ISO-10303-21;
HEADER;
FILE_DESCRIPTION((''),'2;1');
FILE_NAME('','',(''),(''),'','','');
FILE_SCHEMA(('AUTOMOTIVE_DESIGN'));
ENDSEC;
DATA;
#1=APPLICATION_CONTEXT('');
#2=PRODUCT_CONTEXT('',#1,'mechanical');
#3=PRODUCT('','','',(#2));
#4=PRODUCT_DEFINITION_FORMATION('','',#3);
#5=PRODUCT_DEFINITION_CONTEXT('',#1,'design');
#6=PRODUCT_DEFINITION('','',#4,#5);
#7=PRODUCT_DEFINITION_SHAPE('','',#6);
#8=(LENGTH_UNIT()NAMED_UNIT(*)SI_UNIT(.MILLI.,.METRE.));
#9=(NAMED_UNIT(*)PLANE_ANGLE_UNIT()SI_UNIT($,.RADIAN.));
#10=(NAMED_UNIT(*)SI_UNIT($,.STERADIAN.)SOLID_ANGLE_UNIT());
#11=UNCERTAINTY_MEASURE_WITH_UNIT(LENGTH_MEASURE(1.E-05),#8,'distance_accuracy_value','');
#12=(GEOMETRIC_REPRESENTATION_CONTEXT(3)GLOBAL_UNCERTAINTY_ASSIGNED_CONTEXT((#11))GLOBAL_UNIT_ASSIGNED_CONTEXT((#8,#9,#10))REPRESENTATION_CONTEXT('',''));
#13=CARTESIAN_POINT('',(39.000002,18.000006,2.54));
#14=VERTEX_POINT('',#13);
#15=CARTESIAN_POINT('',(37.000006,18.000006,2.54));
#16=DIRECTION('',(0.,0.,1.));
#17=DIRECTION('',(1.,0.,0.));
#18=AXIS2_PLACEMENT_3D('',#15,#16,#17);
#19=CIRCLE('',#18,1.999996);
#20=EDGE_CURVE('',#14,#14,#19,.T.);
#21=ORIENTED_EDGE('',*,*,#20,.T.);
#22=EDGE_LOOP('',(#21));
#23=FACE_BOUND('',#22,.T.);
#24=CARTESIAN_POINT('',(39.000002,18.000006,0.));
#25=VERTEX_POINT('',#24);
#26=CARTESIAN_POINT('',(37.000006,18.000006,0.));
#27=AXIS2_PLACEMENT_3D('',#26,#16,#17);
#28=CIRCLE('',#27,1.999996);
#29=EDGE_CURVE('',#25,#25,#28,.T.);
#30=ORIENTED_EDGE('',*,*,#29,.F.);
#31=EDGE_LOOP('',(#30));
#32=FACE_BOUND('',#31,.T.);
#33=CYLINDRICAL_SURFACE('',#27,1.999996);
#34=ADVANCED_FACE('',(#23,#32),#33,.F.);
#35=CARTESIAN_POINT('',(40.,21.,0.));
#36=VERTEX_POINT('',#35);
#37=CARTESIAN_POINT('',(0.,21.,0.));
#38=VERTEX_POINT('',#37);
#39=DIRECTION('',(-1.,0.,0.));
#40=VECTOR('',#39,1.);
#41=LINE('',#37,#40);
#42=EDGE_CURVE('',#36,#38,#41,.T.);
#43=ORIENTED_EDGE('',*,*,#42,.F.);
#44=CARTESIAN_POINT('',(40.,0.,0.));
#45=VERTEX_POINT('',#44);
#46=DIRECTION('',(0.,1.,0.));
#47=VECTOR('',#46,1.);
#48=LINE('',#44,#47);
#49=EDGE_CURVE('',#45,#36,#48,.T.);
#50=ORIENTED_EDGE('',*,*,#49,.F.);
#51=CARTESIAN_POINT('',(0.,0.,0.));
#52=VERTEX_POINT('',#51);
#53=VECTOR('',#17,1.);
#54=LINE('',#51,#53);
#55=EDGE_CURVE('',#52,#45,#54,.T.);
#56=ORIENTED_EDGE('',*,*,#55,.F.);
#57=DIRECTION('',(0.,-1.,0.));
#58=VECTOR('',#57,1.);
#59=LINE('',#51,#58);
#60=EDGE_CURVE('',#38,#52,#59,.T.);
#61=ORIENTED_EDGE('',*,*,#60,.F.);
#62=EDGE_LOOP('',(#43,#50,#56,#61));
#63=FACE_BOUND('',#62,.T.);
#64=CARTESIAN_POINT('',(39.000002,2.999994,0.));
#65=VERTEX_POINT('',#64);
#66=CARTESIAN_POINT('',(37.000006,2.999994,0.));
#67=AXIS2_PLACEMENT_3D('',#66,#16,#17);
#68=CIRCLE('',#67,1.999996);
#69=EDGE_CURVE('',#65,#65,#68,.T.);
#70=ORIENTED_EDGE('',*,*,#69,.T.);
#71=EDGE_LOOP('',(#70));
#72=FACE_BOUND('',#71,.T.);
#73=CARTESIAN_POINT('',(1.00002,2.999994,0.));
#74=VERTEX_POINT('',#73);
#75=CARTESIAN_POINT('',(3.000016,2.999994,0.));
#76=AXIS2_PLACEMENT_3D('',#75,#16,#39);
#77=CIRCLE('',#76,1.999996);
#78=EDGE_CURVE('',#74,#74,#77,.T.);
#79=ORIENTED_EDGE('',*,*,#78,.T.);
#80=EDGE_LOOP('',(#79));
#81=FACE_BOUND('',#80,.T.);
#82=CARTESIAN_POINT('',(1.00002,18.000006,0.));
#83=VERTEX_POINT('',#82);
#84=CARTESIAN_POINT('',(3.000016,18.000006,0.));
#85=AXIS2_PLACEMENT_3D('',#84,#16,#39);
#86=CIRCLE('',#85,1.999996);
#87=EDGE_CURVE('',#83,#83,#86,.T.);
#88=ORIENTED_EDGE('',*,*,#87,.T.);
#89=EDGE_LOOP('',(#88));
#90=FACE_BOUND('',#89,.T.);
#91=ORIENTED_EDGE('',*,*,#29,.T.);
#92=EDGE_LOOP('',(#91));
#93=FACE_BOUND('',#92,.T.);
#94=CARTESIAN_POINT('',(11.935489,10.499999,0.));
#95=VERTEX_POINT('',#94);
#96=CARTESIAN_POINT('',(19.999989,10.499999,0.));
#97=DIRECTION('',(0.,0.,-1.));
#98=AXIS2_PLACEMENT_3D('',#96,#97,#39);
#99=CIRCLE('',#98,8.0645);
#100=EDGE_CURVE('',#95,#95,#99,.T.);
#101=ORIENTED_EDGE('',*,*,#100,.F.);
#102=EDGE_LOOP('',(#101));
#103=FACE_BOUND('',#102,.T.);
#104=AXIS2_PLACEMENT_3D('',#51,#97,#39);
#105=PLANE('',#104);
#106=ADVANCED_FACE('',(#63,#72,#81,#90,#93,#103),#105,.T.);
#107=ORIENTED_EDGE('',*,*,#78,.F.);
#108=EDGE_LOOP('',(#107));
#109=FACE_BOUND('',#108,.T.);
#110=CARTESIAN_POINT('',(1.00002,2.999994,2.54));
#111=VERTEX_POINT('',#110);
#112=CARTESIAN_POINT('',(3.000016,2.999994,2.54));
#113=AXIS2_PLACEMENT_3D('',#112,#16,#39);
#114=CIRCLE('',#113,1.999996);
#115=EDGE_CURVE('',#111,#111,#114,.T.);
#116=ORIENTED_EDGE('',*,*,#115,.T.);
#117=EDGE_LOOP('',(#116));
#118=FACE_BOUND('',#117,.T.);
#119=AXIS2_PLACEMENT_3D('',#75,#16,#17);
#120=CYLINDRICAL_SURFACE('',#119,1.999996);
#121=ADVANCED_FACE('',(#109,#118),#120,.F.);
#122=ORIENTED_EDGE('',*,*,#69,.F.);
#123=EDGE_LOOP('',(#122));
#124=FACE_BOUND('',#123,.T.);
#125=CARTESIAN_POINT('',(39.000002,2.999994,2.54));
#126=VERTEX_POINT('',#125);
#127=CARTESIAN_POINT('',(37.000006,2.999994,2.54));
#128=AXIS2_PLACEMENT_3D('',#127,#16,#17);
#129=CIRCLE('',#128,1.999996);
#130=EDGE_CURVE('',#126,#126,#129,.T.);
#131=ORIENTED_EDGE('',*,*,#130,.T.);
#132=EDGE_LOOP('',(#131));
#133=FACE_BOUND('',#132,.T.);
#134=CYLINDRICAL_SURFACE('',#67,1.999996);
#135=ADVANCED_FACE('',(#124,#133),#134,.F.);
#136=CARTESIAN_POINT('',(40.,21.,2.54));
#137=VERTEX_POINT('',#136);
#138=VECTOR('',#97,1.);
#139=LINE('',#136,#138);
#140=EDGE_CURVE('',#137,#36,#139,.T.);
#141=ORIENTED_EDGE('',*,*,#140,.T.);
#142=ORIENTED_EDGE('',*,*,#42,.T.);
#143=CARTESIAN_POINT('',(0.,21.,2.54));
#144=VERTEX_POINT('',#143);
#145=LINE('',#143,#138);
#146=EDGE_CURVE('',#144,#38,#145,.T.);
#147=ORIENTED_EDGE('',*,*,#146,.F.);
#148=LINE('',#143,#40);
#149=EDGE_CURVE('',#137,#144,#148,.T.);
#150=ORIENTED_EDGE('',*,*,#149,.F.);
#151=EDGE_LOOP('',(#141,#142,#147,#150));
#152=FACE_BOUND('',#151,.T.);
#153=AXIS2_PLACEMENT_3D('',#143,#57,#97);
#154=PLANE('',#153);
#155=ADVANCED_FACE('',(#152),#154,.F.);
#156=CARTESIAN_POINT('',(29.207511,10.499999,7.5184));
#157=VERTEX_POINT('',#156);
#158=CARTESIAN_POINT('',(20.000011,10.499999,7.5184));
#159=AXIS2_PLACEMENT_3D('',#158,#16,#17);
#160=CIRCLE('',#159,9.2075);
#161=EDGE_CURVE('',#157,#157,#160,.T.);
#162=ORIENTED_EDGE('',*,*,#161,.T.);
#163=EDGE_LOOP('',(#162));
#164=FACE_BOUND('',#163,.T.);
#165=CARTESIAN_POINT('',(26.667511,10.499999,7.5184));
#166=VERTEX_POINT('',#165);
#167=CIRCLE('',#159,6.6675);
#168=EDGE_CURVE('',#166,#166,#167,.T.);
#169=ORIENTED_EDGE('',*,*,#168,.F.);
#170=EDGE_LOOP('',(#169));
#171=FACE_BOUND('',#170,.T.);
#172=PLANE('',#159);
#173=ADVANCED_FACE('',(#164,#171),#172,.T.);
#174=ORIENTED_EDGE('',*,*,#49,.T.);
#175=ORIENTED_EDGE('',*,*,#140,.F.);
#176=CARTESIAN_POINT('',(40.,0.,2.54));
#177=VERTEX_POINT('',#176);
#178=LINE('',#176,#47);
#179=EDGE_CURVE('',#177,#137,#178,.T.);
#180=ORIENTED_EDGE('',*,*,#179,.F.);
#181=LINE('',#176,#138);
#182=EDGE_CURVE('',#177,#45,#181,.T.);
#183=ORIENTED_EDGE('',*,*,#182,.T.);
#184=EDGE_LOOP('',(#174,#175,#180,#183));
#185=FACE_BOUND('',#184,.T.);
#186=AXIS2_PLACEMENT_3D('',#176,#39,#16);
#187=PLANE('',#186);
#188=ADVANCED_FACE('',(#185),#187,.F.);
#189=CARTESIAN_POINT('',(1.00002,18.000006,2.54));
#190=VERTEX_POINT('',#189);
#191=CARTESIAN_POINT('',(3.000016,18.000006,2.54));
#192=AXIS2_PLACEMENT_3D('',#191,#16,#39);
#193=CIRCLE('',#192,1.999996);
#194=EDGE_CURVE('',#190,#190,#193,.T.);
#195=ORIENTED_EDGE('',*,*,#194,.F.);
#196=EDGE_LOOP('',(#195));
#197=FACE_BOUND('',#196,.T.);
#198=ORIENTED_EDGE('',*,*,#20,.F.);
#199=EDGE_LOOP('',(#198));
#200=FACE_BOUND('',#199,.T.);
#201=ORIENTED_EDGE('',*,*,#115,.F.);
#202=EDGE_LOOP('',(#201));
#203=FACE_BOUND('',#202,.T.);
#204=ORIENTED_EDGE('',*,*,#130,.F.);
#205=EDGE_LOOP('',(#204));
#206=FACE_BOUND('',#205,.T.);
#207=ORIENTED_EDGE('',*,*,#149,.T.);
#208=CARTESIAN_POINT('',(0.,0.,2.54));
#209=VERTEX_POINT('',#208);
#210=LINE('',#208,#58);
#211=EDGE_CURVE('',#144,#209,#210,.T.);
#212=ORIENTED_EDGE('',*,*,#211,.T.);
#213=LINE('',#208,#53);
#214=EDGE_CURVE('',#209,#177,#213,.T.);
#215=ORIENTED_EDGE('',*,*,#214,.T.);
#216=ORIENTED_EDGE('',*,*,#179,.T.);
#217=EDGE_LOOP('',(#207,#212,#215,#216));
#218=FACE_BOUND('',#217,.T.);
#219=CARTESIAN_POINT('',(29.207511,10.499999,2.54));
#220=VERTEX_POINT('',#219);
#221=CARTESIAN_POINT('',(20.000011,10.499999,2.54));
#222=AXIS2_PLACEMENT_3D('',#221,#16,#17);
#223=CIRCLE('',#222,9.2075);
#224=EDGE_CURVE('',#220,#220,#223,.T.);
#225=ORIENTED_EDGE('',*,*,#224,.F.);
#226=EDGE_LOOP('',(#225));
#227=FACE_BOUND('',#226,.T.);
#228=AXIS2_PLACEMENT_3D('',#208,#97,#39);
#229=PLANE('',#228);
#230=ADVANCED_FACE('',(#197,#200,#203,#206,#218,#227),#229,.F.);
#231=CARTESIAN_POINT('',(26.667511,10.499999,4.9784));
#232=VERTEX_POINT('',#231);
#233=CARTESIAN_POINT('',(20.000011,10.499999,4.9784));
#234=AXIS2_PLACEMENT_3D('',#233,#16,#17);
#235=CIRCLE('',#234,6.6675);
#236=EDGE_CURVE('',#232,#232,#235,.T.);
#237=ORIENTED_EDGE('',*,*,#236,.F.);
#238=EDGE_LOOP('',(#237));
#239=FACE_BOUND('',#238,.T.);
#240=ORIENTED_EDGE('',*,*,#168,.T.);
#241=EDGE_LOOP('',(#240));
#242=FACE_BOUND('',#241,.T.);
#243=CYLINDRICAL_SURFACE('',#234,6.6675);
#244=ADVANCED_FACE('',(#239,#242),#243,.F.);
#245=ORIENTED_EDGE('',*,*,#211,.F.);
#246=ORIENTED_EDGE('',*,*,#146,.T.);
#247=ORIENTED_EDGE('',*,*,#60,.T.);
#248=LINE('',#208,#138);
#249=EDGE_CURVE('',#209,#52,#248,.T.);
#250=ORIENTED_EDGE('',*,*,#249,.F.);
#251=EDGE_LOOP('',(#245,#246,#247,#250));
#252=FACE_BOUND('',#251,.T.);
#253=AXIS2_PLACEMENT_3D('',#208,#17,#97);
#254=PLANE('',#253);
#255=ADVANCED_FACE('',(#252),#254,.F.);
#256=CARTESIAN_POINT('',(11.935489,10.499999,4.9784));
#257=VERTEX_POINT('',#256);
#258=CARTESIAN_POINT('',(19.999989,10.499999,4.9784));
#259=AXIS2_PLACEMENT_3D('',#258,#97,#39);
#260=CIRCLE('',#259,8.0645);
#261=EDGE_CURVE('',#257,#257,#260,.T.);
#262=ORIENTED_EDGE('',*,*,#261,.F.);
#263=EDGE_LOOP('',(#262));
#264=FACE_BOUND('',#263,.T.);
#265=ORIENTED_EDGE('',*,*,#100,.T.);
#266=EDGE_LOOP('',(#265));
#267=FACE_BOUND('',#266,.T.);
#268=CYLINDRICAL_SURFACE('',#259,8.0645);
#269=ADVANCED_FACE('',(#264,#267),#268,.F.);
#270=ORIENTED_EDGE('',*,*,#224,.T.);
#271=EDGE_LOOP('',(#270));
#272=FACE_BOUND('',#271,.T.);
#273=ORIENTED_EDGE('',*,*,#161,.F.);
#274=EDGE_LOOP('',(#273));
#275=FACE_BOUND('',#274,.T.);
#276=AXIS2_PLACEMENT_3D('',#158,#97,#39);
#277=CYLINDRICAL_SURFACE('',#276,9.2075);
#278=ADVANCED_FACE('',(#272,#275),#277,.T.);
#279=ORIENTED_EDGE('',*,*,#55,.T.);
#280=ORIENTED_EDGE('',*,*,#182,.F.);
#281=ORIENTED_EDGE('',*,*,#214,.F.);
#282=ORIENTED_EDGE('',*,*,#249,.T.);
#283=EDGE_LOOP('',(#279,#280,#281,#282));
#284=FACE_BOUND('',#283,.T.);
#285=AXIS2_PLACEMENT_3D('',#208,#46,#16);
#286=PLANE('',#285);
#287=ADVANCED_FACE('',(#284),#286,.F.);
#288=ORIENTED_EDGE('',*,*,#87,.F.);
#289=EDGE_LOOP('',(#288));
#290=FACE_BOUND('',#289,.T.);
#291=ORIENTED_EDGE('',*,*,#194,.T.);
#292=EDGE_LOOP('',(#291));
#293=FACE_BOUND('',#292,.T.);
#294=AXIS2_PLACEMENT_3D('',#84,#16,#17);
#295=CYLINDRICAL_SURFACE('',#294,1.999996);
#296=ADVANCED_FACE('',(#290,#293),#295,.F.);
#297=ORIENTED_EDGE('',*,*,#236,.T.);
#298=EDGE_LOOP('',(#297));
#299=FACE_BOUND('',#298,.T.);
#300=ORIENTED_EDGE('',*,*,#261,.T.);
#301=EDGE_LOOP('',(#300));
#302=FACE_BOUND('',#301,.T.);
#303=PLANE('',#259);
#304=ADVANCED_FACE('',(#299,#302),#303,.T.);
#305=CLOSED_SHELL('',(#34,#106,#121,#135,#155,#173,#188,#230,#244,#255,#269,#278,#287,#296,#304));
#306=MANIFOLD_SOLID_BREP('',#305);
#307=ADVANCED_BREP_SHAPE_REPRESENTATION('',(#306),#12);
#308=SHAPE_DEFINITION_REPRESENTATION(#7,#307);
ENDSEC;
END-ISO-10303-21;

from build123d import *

# Parameters (mm, degrees)
SKETCH2_W           = 40
SKETCH2_H           = 21
BOSS_EXTRUDE1_DEPTH = 2.54
SKETCH4_R           = 9.2075
BOSS_EXTRUDE2_DEPTH = 4.9784
CUT_EXTRUDE2_START  = 7.5184
SKETCH7_R           = 6.6675
CUT_EXTRUDE2_DEPTH  = 2.54
SKETCH8_R           = 1.999996
CUT_EXTRUDE3_DEPTH  = 3.54
SKETCH10_R          = 1.999996
CUT_EXTRUDE4_DEPTH  = 3.54
SKETCH13_R          = 8.0645
CUT_EXTRUDE5_DEPTH  = 4.9784


with BuildPart() as part:
    # Sketch2 → Boss-Extrude1 (new body)
    with BuildSketch(Plane.XY):
        with Locations((20, 10.5)):
            Rectangle(SKETCH2_W, SKETCH2_H)
    extrude(amount=BOSS_EXTRUDE1_DEPTH)

    # Sketch4 → Boss-Extrude2 (add)
    with BuildSketch(Plane.XY.offset(2.54)):
        with Locations((20.0000108, 10.49999932)):
            Circle(SKETCH4_R)
    extrude(amount=BOSS_EXTRUDE2_DEPTH)

    # Sketch7 → Cut-Extrude2 (cut)
    with BuildSketch(Plane.XY.offset(CUT_EXTRUDE2_START)):
        with Locations((20.0000108, 10.49999932)):
            Circle(SKETCH7_R)
    extrude(amount=-CUT_EXTRUDE2_DEPTH, mode=Mode.SUBTRACT)

    # Sketch8 → Cut-Extrude3 (cut, through all)
    with BuildSketch(Plane.XY.offset(2.54)):
        with Locations((37.000006, 18.000006)):
            Circle(SKETCH8_R)
        with Locations((3.0000156, 18.000006)):
            Circle(SKETCH8_R)
    extrude(amount=-CUT_EXTRUDE3_DEPTH, mode=Mode.SUBTRACT)

    # Sketch10 → Cut-Extrude4 (cut, through all)
    with BuildSketch(Plane.XY.offset(2.54)):
        with Locations((37.000006, 2.999994)):
            Circle(SKETCH10_R)
        with Locations((3.0000156, 2.999994)):
            Circle(SKETCH10_R)
    extrude(amount=-CUT_EXTRUDE4_DEPTH, mode=Mode.SUBTRACT)

    # Sketch13 → Cut-Extrude5 (cut)
    with BuildSketch(Plane(origin=(0, 0, 0), x_dir=(-1, 0, 0), z_dir=(0, 0, -1))):
        with Locations((-19.9999892, 10.49999932)):
            Circle(SKETCH13_R)
    extrude(amount=-CUT_EXTRUDE5_DEPTH, mode=Mode.SUBTRACT)


solid = part.part
